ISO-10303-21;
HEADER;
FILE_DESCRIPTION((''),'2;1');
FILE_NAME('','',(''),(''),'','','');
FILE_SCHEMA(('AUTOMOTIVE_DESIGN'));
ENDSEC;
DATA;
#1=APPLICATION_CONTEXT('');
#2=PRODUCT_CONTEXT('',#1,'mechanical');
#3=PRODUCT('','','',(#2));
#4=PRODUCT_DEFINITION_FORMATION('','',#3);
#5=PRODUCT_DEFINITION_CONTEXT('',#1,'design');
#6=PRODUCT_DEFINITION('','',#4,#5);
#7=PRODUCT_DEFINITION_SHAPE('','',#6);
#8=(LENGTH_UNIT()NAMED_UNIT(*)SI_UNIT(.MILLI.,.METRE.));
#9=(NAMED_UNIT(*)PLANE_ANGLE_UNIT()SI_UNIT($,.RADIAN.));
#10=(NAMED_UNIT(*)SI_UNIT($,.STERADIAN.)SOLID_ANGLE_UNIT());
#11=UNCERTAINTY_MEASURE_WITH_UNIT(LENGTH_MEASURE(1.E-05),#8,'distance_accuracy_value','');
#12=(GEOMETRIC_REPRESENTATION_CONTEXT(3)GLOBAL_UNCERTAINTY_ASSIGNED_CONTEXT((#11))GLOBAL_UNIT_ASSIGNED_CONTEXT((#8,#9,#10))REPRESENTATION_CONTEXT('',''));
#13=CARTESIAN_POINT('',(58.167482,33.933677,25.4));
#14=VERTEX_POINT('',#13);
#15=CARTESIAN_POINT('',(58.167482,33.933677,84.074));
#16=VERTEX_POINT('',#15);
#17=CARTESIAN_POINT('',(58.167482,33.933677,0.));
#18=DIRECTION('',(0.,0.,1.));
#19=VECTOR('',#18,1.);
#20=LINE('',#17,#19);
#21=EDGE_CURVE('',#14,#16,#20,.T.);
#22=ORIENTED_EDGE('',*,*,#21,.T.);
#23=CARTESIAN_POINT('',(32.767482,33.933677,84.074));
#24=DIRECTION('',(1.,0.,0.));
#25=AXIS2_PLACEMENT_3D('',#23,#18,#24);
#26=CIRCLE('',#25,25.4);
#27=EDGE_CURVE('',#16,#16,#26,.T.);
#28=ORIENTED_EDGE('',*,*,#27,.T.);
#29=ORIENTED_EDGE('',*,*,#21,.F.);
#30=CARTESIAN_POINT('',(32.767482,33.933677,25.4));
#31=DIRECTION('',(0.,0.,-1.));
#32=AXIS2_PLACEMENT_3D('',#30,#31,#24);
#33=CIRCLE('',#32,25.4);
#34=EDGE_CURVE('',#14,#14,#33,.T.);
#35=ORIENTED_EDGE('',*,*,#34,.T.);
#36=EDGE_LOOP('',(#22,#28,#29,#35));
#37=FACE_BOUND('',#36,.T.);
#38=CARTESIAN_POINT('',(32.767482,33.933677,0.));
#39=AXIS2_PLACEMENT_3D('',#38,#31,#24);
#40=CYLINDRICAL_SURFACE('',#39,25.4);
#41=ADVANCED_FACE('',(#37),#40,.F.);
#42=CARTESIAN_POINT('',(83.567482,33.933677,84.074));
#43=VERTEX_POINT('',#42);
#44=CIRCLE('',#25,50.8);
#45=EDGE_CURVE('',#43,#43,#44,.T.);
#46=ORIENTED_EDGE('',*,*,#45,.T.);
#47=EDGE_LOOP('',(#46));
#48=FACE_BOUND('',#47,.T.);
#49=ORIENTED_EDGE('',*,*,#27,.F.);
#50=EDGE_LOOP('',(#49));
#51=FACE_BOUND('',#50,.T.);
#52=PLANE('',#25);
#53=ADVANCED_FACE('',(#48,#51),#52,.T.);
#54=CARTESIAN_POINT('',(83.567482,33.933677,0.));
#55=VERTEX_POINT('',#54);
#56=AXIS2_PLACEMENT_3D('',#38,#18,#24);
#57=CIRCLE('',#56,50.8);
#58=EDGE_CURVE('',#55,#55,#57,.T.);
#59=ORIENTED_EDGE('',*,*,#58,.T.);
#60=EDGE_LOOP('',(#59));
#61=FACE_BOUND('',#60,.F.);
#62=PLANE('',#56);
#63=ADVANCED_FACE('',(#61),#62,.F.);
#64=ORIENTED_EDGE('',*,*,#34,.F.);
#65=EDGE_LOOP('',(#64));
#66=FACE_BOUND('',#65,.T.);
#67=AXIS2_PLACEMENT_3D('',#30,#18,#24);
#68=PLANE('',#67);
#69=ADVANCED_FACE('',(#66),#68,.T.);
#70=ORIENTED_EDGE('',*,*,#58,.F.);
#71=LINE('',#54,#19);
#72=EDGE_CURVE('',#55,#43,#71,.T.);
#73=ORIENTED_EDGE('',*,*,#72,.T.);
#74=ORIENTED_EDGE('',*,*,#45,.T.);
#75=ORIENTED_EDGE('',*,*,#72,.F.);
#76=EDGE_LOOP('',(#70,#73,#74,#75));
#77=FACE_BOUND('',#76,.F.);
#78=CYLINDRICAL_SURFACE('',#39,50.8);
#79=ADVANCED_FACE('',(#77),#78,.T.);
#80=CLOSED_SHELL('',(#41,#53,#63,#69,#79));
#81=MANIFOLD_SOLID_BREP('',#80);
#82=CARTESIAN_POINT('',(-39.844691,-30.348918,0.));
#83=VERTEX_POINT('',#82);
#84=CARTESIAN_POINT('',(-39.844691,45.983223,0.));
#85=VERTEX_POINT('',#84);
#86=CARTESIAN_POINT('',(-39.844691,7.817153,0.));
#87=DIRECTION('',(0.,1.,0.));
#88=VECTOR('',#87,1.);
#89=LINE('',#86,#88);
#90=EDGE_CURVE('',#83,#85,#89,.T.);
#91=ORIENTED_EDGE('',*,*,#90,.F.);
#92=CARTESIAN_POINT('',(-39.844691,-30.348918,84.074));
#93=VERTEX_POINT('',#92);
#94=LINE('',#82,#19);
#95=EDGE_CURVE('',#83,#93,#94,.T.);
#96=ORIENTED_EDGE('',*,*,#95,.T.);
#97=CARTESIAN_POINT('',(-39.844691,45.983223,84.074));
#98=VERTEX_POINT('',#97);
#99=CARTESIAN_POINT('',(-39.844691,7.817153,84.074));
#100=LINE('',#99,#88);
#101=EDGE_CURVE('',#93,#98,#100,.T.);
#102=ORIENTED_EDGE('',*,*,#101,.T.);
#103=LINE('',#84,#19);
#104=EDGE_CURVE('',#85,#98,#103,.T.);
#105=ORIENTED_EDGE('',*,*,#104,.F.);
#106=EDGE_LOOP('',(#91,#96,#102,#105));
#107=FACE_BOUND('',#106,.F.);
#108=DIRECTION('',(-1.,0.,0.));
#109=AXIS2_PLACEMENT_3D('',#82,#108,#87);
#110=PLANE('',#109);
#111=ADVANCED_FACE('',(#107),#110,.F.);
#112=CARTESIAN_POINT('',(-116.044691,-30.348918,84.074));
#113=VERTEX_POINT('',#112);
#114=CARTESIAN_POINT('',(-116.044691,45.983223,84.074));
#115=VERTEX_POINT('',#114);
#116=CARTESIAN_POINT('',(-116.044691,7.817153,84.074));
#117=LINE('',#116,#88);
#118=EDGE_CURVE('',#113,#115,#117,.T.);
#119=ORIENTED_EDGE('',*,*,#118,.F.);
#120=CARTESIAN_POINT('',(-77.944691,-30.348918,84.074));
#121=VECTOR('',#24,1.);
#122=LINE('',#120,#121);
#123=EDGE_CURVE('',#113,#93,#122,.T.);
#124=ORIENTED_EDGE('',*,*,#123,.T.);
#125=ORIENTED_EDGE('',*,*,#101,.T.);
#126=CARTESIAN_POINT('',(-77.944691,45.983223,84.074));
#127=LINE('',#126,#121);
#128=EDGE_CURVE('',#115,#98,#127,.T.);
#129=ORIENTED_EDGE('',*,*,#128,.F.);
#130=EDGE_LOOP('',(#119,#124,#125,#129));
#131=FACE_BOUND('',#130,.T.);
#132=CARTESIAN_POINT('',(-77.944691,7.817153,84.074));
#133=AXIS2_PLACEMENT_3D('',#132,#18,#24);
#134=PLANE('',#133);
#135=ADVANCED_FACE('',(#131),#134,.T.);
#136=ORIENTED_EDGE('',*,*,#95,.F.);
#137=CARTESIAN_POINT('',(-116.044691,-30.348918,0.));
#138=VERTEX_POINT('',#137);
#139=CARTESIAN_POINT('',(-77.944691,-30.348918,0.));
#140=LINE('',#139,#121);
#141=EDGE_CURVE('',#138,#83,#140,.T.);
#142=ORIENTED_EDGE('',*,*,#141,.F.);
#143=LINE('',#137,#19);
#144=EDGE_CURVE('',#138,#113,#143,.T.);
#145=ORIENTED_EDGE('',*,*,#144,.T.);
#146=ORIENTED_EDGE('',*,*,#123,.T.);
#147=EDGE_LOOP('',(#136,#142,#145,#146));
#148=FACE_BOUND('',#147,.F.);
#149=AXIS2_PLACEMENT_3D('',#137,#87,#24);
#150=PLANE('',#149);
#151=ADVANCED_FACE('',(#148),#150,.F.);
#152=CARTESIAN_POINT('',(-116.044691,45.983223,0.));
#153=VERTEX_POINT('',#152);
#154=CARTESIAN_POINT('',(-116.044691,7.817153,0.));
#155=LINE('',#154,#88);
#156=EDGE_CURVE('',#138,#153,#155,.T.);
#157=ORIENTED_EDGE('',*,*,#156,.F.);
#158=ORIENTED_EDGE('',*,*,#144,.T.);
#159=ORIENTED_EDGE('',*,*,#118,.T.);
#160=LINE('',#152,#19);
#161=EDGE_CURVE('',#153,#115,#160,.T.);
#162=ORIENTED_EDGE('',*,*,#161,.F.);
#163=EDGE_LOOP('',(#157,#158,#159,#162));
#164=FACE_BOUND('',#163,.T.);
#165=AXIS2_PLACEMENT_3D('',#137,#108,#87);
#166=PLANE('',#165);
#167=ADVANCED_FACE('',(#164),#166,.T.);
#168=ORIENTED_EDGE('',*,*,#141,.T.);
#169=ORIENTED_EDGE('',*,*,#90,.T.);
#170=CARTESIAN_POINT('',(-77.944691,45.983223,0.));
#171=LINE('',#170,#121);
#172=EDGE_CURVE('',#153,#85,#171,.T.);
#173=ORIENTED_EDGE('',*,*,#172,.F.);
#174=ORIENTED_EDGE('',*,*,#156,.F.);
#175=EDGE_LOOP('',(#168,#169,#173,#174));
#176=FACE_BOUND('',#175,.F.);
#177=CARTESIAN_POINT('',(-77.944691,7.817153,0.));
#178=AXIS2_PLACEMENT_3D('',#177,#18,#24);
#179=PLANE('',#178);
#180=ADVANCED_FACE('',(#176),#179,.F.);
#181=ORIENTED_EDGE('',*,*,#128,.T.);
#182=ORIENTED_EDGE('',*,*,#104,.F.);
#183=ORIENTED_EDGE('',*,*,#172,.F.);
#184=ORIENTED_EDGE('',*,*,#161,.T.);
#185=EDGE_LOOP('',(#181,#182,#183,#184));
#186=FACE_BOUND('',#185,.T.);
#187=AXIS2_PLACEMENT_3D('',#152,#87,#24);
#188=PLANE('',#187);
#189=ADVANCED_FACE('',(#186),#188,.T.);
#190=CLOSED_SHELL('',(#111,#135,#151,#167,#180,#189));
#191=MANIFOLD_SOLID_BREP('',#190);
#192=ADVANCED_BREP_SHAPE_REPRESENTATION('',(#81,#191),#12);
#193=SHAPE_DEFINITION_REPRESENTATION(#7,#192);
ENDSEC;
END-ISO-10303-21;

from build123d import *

# Parameters (mm, degrees)
F0_W     = 76.2
F0_H     = 76.3321408214
F1_DEPTH = 84.074
F0_R     = 50.8
F2_T     = -25.4


with BuildPart() as f1:
    # F0 (on Top) → F1 (new body)
    with BuildSketch(Plane.XY):
        with Locations((-77.9446905811, 7.8171525478)):
            Rectangle(F0_W, F0_H)
    extrude(amount=F1_DEPTH)


with BuildPart() as f1b:
    # F0 (on Top) → F1, piece 2 (new body)
    with BuildSketch(Plane.XY):
        with Locations((32.7674816028, 33.9336769251)):
            Circle(F0_R)
    extrude(amount=F1_DEPTH)

    # F2
    f2_openings = [f1b.faces().sort_by_distance(p)[0] for p in [
        (32.767482, 33.933677, 84.074),
    ]]
    offset(amount=F2_T, openings=f2_openings)


solid = Compound([f1.part, f1b.part])
